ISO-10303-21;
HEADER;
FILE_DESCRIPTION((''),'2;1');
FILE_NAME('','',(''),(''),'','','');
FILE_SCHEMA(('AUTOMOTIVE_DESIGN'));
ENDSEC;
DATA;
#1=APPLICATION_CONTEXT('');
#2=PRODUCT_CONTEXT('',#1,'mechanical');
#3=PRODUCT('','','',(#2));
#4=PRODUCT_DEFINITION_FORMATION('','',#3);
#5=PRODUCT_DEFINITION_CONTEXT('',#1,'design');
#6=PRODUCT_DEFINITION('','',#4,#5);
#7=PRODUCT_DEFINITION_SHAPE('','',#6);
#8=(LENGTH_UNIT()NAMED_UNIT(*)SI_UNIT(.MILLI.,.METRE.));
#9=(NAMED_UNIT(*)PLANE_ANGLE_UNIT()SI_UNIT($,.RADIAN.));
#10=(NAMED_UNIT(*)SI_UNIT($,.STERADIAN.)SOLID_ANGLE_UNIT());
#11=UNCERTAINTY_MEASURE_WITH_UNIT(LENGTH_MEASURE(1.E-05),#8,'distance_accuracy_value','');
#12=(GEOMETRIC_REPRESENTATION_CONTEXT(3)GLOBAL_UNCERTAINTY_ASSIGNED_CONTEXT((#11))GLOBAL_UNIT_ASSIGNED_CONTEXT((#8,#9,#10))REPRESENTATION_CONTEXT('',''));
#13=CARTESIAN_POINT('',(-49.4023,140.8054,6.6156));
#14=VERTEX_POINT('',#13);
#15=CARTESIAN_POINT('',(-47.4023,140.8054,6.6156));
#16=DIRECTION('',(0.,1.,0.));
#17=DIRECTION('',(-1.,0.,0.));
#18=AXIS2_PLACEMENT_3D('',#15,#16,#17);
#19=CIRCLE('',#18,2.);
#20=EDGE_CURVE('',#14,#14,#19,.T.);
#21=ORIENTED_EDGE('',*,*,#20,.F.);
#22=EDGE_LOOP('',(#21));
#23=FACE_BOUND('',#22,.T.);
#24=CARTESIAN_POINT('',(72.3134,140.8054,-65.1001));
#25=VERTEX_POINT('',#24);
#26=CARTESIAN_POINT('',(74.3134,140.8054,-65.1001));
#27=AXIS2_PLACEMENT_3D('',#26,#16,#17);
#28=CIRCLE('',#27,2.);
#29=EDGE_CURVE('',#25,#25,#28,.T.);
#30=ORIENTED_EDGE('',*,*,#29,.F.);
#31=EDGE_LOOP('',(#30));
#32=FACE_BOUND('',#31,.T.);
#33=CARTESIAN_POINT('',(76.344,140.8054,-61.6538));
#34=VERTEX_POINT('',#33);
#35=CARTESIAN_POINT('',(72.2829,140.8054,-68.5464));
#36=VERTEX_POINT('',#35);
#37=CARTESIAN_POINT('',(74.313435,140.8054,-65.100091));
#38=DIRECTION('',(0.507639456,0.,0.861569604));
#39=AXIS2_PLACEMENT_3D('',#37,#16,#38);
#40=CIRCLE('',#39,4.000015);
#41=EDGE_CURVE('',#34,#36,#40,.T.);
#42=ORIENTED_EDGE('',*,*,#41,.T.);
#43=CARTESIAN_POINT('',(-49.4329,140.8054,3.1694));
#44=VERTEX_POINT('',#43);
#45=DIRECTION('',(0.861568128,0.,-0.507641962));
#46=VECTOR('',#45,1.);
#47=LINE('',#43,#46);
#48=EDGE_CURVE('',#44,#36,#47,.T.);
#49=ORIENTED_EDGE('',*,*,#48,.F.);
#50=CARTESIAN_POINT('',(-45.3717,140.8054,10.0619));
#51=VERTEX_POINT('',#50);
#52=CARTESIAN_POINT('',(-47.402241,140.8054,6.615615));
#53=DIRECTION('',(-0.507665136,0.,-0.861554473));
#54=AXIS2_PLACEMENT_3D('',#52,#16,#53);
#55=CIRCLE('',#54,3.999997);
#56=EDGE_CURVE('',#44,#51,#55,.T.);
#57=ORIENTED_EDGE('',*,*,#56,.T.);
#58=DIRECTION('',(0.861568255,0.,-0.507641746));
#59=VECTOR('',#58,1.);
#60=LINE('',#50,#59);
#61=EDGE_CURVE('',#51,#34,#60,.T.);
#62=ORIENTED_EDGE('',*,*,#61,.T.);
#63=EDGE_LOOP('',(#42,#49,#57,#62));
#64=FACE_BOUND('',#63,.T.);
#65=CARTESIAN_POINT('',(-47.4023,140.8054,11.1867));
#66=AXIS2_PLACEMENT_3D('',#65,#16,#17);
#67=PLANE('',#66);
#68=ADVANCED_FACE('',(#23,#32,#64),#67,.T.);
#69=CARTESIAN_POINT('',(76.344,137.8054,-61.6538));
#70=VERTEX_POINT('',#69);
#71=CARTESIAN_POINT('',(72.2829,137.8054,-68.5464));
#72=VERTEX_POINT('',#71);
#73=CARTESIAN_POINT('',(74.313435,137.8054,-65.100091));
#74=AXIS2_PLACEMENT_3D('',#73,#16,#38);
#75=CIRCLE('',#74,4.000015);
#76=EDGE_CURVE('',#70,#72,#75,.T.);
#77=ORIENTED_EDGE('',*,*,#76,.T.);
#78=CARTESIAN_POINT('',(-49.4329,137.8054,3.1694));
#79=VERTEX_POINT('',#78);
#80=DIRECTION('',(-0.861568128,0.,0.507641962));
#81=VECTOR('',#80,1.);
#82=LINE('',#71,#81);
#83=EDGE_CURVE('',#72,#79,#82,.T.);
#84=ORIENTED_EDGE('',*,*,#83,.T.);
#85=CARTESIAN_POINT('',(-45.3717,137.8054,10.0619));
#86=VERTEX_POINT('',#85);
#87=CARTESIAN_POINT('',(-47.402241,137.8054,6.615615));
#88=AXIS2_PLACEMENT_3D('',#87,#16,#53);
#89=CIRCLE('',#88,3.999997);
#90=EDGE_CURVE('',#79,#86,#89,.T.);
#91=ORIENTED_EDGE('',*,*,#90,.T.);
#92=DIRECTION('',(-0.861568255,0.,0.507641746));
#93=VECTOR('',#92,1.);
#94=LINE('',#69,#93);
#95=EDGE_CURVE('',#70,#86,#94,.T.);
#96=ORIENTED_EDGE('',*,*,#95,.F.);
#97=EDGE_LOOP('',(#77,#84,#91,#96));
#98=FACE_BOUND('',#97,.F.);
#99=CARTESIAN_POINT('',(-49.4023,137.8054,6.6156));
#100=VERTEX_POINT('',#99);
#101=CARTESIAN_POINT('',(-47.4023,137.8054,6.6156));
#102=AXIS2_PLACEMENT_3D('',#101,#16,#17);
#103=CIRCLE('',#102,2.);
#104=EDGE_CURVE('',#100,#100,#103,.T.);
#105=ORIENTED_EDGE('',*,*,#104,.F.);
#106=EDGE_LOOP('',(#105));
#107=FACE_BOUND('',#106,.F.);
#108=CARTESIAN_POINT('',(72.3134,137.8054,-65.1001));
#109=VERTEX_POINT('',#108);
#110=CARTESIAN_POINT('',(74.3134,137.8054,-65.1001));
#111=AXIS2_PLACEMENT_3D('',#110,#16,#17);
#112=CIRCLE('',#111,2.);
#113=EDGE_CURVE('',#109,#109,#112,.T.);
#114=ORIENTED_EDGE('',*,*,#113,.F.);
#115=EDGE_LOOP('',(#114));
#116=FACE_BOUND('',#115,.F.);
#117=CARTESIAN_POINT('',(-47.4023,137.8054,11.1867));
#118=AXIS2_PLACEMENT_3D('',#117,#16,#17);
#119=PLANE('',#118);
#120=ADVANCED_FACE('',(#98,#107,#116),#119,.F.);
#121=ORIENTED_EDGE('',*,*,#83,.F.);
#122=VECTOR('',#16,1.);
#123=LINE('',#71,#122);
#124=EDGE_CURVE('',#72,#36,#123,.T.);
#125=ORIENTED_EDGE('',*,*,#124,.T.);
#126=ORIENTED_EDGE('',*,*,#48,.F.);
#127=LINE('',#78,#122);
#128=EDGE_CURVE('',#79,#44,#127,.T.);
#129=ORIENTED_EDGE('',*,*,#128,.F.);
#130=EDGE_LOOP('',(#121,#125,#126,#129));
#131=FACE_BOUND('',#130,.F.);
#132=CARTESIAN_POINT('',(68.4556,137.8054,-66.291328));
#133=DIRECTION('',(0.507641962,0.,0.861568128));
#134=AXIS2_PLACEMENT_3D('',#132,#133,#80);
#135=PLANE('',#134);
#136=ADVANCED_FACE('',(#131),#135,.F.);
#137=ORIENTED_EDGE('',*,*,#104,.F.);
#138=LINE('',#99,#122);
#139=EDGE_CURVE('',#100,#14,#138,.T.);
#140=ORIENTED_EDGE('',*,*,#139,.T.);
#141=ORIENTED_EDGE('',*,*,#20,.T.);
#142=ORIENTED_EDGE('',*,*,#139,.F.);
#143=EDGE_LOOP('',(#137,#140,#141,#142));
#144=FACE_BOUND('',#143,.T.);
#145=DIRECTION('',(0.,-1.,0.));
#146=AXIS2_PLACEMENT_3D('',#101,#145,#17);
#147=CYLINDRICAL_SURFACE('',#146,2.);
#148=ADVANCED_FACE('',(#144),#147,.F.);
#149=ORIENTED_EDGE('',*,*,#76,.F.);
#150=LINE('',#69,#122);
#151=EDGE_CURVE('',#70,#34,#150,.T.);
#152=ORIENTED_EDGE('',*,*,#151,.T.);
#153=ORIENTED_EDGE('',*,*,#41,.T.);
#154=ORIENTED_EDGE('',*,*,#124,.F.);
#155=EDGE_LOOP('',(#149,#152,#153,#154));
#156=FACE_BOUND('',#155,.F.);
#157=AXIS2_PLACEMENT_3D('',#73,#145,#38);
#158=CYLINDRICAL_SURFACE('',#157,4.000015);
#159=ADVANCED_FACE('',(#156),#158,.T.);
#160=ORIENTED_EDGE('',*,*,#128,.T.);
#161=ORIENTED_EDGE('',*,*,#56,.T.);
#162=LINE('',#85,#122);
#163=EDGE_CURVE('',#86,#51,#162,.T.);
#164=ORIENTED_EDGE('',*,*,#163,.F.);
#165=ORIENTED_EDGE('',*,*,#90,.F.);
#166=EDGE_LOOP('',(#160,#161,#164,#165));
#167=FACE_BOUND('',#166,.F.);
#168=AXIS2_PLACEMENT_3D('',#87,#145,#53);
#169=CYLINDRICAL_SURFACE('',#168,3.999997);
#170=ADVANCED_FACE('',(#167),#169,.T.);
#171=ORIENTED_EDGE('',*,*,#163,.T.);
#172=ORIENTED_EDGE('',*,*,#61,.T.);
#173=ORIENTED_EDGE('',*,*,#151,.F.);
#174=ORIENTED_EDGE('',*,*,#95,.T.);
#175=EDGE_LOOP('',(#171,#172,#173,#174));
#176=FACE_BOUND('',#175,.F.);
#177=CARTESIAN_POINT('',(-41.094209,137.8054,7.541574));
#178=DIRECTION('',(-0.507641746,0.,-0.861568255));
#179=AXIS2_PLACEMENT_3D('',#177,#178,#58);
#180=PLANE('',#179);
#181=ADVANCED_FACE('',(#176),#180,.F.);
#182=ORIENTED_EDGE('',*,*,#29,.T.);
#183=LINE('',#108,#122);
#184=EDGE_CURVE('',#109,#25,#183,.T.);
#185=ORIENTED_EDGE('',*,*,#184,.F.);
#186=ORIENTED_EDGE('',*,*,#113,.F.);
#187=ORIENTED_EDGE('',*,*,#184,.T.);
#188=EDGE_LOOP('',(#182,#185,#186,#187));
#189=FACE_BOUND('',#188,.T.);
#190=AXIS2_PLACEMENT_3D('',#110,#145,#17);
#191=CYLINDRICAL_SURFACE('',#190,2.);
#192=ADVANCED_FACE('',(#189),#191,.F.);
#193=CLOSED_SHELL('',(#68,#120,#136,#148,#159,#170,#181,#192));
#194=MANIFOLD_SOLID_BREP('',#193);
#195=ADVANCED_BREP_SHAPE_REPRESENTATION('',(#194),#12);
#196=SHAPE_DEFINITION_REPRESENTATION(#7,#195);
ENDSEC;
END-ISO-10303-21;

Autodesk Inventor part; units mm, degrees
ref_plane "YZ Plane" through (0, 0, 0) normal (1, 0, 0) x (0, 1, 0)
ref_plane "XZ Plane" through (0, 0, 0) normal (0, 1, 0) x (-1, 0, 0)
ref_plane "XY Plane" through (0, 0, 0) normal (0, 0, 1) x (1, 0, 0)
ref_plane "Work Plane1" through (-47.4023, 137.8054, 11.1867) normal (0, 1, 0) x (-1, 0, 0)
sketch "Sketch1" plane through (-47.4023, 137.8054, 11.1867) normal (0, 1, 0) x (-1, 0, 0)
  line L0 (13.9385, 9.5711) -> (4.3301, -7.0711) projected
  line L1 (-13.9385, 9.5711) -> (13.9385, 9.5711) projected
  line L2 (-4.3301, -7.0711) -> (-13.9385, 9.5711) projected
  arc A0 (-4.3301, -7.0711) -> (4.3301, -7.0711) centre (0, -4.5711) ccw projected
  circle A1 centre (0, -4.5711) radius 2 projected
  line L3 (-115.8579, -75.4289) -> (-115.8579, -90.4289) projected
  arc A2 (-115.8579, -75.4289) -> (-120.8579, -70.4289) centre (-120.8579, -75.4289) ccw projected
  line L4 (-135.8579, -70.4289) -> (-120.8579, -70.4289) projected
  line L5 (-135.8579, -90.4289) -> (-135.8579, -70.4289) projected
  line L6 (-115.8579, -90.4289) -> (-135.8579, -90.4289) projected
  circle A3 centre (-121.7157, -76.2868) radius 2 projected
  line L7 (-121.7157, -76.2868) -> (0, -4.5711) construction
  line L8 (-119.6852, -79.7331) -> (2.0306, -8.0173)
  line L9 (-2.0306, -1.1248) -> (-123.7463, -72.8405)
  arc A4 (-123.7463, -72.8405) -> (-119.6852, -79.7331) centre (-121.7157, -76.2868) ccw
  arc A5 (2.0306, -8.0173) -> (-2.0306, -1.1248) centre (0, -4.5711) ccw
  point P0 (-47.4023, -11.1867)
  point P1 (-60.8579, -40.4289)
  dimension "d0" = 8
extrude "Extrusion1" add sketch "Sketch1" along normal blind 3 contours L8 L3 A2 L9 L2 A0 | A0 L2 L9 A5 L8 | L8 A4 L9 A2 L3
properties part number "truss final piece"
